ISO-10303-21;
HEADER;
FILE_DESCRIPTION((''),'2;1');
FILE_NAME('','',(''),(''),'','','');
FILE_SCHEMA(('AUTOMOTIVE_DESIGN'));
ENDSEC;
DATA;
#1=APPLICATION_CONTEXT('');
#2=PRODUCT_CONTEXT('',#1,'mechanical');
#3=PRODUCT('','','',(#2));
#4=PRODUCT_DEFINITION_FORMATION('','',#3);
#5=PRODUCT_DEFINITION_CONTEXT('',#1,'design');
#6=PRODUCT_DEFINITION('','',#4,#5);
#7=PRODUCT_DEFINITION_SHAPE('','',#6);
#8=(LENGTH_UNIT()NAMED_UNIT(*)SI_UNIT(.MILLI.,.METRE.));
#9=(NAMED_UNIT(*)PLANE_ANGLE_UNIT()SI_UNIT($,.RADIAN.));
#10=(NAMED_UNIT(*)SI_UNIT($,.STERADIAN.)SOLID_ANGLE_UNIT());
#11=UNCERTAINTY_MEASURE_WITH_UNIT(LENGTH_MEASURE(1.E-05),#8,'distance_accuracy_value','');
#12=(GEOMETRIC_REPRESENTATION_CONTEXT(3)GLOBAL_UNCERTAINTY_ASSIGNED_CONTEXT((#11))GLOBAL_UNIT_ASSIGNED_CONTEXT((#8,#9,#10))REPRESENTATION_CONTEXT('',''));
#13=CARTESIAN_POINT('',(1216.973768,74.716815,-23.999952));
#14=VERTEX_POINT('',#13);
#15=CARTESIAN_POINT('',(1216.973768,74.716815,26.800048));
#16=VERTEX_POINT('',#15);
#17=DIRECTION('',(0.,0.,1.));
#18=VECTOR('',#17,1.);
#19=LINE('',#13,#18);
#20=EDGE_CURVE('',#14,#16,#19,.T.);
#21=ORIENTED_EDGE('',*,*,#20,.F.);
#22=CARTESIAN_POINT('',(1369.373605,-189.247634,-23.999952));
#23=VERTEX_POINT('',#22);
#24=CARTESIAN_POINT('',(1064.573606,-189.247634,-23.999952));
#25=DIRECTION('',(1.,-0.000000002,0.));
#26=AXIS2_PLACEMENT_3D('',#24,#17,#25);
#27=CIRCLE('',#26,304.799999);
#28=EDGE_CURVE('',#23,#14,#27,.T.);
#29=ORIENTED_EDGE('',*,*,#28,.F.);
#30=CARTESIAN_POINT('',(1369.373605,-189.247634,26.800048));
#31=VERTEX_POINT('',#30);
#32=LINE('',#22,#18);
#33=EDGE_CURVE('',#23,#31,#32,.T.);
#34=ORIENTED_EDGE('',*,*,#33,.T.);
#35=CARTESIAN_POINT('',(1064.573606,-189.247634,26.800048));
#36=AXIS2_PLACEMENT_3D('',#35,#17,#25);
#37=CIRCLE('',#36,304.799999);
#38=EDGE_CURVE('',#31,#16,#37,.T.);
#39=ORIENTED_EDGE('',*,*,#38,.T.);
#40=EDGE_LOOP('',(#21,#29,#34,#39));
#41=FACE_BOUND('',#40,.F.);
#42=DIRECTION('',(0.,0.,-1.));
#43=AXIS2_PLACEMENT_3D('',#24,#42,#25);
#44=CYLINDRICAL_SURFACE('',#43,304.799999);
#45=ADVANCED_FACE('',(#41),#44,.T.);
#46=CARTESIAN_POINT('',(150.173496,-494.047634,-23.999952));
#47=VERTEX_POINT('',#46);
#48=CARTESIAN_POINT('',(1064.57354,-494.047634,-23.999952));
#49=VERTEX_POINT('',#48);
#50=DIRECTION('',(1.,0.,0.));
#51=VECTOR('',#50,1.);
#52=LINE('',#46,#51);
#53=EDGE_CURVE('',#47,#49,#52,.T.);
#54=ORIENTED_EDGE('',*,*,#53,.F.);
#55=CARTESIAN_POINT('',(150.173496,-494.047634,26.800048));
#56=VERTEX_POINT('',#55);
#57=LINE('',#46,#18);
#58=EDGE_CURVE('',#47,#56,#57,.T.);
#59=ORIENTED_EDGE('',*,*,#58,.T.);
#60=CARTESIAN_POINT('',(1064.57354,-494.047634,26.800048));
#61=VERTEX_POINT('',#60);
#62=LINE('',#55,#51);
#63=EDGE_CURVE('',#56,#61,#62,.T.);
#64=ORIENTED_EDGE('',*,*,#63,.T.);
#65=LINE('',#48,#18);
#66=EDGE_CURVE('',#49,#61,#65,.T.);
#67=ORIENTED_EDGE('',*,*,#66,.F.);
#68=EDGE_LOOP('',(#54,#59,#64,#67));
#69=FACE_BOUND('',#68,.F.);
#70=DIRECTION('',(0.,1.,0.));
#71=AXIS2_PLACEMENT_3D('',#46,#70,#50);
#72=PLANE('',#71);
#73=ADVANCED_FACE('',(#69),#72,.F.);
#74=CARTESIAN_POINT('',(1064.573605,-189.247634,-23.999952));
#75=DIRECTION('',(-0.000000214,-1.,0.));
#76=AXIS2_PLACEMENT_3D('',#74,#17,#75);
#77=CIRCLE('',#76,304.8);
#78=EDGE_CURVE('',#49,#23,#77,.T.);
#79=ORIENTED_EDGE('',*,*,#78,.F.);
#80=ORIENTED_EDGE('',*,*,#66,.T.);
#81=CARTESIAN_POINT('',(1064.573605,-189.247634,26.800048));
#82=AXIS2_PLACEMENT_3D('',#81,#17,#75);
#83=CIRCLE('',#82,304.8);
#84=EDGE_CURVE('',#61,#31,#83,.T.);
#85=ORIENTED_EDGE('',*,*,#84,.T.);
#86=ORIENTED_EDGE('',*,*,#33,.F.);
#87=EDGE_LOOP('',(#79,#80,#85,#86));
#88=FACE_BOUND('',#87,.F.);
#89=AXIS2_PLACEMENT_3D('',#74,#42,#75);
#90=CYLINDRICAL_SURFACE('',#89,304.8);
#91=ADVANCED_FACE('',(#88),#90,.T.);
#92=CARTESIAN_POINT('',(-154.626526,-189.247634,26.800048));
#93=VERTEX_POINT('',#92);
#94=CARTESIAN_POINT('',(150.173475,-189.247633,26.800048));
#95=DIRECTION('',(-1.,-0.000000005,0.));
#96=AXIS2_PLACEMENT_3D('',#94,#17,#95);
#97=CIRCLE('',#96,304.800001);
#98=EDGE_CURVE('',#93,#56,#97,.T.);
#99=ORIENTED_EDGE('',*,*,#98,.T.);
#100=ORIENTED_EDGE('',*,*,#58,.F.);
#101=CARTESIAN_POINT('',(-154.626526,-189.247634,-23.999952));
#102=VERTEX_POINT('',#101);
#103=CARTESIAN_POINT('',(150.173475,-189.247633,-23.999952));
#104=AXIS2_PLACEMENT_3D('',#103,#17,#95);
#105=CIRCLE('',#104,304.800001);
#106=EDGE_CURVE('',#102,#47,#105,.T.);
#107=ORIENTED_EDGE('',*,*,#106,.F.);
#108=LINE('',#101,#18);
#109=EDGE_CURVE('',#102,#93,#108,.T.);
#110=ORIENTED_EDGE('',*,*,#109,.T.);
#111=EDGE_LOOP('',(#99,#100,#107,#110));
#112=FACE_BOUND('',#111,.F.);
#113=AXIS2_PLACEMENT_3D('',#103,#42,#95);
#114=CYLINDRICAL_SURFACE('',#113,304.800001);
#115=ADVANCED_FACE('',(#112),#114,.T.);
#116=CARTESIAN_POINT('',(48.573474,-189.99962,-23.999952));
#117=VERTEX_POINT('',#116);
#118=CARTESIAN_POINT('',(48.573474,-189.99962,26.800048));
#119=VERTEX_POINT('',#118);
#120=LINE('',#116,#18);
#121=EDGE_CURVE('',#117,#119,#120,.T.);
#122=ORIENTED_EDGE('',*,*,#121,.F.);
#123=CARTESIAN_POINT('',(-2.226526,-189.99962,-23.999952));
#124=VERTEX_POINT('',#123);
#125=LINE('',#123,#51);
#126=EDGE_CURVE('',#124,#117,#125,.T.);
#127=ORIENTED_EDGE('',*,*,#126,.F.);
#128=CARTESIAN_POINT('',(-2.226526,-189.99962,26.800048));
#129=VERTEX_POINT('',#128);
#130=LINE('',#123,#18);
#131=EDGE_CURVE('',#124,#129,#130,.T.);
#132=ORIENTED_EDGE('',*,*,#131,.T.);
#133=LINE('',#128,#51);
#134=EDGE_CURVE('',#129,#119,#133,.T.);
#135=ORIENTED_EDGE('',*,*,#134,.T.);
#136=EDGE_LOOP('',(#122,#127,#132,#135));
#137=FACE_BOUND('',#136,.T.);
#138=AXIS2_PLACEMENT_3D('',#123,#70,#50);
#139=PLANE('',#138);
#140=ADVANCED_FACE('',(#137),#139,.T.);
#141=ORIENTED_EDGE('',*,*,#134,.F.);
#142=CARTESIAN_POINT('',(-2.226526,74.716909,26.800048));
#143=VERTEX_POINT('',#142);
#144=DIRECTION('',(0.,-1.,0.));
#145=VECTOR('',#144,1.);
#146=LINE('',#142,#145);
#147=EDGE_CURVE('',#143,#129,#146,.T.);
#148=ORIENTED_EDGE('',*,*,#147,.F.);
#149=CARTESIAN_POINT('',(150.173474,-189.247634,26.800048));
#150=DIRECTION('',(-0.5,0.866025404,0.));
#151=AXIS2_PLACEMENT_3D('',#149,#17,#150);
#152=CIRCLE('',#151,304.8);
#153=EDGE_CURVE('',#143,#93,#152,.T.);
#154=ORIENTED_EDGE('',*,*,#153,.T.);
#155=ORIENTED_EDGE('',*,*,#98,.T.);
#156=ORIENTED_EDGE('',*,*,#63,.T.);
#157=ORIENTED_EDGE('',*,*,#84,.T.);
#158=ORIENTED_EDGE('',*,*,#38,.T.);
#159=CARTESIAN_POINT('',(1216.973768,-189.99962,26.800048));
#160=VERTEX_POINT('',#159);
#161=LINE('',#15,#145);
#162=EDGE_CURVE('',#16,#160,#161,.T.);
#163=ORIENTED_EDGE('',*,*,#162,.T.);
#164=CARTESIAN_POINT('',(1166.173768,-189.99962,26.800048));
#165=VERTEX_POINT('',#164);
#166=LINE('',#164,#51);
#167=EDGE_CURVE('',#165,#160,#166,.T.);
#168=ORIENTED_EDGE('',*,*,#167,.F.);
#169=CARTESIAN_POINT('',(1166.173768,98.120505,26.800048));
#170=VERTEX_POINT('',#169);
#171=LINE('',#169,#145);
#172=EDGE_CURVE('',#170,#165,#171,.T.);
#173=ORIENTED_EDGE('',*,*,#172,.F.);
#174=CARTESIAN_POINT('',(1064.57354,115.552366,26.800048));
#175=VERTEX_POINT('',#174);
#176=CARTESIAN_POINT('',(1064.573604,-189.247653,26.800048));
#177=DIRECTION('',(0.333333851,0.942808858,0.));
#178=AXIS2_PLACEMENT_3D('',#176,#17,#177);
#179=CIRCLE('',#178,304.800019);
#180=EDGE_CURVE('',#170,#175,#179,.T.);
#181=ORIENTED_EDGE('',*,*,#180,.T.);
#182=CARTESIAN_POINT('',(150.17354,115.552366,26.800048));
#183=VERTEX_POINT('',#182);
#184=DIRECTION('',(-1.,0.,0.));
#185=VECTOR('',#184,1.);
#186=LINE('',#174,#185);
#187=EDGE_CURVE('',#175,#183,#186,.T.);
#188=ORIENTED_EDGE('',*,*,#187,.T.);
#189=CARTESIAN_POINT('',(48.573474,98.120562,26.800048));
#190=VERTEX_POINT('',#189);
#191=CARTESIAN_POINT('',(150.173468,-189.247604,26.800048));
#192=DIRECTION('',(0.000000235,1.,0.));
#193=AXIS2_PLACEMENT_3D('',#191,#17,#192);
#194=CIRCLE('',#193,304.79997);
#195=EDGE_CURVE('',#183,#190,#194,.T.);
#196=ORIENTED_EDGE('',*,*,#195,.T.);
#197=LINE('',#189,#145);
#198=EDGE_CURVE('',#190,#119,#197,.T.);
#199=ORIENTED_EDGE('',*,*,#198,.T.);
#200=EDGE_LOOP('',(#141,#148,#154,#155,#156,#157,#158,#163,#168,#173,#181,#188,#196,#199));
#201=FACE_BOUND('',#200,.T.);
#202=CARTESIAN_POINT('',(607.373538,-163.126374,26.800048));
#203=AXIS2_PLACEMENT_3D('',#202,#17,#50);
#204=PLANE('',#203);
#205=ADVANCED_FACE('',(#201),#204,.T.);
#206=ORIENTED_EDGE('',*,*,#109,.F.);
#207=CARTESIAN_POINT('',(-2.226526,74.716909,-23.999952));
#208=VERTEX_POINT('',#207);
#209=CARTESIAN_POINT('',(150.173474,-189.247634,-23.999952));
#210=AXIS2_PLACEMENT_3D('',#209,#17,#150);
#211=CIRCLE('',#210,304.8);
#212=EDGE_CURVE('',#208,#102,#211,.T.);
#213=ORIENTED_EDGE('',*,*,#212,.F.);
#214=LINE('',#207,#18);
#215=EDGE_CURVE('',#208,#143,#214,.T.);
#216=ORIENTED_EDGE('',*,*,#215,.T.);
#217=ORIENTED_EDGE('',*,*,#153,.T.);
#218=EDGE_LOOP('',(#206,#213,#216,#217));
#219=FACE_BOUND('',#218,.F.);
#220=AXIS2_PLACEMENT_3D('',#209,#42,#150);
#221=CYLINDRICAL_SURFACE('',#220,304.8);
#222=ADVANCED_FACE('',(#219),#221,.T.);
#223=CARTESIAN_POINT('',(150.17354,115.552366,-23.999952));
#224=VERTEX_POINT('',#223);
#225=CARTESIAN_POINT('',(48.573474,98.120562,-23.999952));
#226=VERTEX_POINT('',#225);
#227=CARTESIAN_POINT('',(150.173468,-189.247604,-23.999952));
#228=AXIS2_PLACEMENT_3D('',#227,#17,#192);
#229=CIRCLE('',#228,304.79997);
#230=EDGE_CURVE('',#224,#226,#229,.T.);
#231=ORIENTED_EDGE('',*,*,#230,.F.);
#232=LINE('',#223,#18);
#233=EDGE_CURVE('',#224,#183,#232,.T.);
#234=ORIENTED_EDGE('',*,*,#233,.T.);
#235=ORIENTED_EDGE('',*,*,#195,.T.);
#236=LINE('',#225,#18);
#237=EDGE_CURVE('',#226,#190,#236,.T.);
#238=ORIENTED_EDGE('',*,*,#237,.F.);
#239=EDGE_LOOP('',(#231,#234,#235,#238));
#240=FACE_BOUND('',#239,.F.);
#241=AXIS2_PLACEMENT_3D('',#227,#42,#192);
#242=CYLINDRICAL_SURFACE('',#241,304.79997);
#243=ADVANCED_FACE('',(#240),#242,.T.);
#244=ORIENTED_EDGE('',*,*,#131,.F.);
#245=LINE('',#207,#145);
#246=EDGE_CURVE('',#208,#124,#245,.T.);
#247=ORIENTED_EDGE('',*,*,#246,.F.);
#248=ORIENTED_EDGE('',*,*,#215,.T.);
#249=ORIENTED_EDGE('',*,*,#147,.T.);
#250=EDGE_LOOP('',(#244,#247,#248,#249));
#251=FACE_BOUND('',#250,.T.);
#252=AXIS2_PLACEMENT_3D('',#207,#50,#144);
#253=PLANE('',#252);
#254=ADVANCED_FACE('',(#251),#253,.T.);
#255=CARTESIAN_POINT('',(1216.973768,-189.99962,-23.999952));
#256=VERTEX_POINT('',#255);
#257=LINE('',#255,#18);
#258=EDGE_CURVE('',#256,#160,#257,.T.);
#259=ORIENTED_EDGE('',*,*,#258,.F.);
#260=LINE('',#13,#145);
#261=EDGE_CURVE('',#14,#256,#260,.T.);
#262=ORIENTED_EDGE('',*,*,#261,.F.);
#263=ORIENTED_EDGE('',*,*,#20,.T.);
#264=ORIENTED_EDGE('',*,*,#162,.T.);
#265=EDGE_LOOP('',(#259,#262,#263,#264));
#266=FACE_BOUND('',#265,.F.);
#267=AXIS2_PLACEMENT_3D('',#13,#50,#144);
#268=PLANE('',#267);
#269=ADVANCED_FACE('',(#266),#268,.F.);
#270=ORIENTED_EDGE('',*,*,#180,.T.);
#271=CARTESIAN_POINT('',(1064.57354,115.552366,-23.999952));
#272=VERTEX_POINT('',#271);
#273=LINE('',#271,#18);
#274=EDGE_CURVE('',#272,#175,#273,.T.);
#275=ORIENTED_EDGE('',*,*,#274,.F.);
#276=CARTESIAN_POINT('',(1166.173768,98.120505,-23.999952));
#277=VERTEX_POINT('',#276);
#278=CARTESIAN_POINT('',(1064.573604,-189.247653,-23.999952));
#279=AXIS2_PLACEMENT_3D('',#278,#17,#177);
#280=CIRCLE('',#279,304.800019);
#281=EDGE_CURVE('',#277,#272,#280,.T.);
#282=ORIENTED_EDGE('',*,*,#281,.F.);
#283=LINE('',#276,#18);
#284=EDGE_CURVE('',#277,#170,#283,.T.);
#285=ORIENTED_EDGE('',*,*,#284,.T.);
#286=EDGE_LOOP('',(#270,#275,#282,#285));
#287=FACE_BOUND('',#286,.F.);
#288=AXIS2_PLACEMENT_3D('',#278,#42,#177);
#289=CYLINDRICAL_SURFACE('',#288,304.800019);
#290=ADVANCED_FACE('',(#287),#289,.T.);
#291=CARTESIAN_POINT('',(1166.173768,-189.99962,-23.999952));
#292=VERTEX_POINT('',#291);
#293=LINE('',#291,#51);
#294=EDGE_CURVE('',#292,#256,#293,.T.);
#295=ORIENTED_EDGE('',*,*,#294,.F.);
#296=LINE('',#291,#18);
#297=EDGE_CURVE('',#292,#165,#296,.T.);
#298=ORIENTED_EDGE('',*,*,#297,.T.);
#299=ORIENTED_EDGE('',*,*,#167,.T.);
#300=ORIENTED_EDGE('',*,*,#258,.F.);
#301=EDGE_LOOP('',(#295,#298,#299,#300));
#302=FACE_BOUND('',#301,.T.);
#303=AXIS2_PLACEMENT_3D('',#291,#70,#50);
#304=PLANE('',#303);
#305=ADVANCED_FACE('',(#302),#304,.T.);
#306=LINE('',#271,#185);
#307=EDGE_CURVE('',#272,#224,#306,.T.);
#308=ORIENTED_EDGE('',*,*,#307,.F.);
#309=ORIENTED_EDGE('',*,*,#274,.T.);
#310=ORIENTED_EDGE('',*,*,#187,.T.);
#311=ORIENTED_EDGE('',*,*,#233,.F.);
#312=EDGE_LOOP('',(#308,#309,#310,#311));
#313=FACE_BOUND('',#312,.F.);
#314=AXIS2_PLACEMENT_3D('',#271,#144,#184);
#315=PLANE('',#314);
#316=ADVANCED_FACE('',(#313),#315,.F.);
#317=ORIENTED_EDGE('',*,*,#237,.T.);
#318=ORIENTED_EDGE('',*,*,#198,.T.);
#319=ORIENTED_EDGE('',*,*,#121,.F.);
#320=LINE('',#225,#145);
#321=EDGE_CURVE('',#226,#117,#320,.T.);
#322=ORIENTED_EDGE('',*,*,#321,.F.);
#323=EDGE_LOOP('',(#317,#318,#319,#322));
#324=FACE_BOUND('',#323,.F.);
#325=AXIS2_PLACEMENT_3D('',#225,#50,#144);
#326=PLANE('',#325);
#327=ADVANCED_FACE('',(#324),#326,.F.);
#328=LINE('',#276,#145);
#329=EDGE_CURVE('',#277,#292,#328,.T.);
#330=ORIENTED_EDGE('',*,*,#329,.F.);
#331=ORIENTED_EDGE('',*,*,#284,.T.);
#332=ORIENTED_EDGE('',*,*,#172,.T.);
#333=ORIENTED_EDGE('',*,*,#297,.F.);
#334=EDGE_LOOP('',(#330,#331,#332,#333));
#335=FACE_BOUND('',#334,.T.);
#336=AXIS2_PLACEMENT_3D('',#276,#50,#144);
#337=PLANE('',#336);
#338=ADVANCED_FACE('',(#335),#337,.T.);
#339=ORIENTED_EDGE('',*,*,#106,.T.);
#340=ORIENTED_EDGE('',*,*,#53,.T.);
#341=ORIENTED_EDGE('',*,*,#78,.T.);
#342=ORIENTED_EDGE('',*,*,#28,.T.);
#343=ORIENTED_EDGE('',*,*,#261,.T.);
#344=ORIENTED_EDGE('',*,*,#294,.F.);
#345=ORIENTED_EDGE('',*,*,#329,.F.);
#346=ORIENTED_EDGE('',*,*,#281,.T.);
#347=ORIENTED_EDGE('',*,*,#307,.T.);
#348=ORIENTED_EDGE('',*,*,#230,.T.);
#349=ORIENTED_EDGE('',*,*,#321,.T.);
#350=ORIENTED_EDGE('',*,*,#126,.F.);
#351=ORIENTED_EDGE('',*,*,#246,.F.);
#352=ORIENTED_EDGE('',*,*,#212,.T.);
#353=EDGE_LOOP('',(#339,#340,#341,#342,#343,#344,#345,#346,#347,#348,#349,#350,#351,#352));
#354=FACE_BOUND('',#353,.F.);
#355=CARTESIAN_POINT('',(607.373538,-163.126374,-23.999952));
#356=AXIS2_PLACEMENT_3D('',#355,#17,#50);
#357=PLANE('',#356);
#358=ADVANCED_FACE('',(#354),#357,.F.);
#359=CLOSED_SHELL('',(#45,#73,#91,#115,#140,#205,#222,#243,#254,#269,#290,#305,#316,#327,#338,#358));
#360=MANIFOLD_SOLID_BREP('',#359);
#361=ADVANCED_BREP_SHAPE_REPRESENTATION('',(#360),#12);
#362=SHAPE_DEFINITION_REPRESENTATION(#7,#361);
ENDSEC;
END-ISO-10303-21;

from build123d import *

# Parameters (mm, degrees)
PAD001_DEPTH = 50.8


with BuildPart() as part:
    # Sketch001 → Pad001 (new body)
    with BuildSketch(Plane.XY):
        with BuildLine():
            Line((-1503.823196, -304.048014), (-589.423152, -304.048014))
            ThreePointArc((-589.423152, -304.048014), (-373.896963, -214.774184), (-284.623087, 0.751986))
            ThreePointArc((-284.623087, 0.751986), (-325.458497, 153.151905), (-437.022924, 264.716435))
            Line((-437.022924, 264.716435), (-437.022924, 0))
            Line((-487.822924, 0), (-437.022924, 0))
            Line((-487.822924, 288.120125), (-487.822924, 0))
            ThreePointArc((-487.822924, 288.120125), (-537.880751, 301.162418), (-589.423152, 305.551986))
            Line((-589.423152, 305.551986), (-1503.823152, 305.551986))
            ThreePointArc((-1503.823152, 305.551986), (-1555.365469, 301.162433), (-1605.423218, 288.120182))
            Line((-1605.423218, 288.120182), (-1605.423218, 0))
            Line((-1656.223218, 0), (-1605.423218, 0))
            Line((-1656.223218, 264.716529), (-1656.223218, 0))
            ThreePointArc((-1656.223218, 264.716529), (-1767.787761, 153.151986), (-1808.623218, 0.751986))
            ThreePointArc((-1808.623218, 0.751986), (-1719.349357, -214.774168), (-1503.823196, -304.048014))
        make_face()
    extrude(amount=PAD001_DEPTH)


with BuildPart() as part_1:
    # Body001 placement: moved
    add(part.part.moved(Location((1653.996692, -189.99962, -23.999952))))


solid = part_1.part
